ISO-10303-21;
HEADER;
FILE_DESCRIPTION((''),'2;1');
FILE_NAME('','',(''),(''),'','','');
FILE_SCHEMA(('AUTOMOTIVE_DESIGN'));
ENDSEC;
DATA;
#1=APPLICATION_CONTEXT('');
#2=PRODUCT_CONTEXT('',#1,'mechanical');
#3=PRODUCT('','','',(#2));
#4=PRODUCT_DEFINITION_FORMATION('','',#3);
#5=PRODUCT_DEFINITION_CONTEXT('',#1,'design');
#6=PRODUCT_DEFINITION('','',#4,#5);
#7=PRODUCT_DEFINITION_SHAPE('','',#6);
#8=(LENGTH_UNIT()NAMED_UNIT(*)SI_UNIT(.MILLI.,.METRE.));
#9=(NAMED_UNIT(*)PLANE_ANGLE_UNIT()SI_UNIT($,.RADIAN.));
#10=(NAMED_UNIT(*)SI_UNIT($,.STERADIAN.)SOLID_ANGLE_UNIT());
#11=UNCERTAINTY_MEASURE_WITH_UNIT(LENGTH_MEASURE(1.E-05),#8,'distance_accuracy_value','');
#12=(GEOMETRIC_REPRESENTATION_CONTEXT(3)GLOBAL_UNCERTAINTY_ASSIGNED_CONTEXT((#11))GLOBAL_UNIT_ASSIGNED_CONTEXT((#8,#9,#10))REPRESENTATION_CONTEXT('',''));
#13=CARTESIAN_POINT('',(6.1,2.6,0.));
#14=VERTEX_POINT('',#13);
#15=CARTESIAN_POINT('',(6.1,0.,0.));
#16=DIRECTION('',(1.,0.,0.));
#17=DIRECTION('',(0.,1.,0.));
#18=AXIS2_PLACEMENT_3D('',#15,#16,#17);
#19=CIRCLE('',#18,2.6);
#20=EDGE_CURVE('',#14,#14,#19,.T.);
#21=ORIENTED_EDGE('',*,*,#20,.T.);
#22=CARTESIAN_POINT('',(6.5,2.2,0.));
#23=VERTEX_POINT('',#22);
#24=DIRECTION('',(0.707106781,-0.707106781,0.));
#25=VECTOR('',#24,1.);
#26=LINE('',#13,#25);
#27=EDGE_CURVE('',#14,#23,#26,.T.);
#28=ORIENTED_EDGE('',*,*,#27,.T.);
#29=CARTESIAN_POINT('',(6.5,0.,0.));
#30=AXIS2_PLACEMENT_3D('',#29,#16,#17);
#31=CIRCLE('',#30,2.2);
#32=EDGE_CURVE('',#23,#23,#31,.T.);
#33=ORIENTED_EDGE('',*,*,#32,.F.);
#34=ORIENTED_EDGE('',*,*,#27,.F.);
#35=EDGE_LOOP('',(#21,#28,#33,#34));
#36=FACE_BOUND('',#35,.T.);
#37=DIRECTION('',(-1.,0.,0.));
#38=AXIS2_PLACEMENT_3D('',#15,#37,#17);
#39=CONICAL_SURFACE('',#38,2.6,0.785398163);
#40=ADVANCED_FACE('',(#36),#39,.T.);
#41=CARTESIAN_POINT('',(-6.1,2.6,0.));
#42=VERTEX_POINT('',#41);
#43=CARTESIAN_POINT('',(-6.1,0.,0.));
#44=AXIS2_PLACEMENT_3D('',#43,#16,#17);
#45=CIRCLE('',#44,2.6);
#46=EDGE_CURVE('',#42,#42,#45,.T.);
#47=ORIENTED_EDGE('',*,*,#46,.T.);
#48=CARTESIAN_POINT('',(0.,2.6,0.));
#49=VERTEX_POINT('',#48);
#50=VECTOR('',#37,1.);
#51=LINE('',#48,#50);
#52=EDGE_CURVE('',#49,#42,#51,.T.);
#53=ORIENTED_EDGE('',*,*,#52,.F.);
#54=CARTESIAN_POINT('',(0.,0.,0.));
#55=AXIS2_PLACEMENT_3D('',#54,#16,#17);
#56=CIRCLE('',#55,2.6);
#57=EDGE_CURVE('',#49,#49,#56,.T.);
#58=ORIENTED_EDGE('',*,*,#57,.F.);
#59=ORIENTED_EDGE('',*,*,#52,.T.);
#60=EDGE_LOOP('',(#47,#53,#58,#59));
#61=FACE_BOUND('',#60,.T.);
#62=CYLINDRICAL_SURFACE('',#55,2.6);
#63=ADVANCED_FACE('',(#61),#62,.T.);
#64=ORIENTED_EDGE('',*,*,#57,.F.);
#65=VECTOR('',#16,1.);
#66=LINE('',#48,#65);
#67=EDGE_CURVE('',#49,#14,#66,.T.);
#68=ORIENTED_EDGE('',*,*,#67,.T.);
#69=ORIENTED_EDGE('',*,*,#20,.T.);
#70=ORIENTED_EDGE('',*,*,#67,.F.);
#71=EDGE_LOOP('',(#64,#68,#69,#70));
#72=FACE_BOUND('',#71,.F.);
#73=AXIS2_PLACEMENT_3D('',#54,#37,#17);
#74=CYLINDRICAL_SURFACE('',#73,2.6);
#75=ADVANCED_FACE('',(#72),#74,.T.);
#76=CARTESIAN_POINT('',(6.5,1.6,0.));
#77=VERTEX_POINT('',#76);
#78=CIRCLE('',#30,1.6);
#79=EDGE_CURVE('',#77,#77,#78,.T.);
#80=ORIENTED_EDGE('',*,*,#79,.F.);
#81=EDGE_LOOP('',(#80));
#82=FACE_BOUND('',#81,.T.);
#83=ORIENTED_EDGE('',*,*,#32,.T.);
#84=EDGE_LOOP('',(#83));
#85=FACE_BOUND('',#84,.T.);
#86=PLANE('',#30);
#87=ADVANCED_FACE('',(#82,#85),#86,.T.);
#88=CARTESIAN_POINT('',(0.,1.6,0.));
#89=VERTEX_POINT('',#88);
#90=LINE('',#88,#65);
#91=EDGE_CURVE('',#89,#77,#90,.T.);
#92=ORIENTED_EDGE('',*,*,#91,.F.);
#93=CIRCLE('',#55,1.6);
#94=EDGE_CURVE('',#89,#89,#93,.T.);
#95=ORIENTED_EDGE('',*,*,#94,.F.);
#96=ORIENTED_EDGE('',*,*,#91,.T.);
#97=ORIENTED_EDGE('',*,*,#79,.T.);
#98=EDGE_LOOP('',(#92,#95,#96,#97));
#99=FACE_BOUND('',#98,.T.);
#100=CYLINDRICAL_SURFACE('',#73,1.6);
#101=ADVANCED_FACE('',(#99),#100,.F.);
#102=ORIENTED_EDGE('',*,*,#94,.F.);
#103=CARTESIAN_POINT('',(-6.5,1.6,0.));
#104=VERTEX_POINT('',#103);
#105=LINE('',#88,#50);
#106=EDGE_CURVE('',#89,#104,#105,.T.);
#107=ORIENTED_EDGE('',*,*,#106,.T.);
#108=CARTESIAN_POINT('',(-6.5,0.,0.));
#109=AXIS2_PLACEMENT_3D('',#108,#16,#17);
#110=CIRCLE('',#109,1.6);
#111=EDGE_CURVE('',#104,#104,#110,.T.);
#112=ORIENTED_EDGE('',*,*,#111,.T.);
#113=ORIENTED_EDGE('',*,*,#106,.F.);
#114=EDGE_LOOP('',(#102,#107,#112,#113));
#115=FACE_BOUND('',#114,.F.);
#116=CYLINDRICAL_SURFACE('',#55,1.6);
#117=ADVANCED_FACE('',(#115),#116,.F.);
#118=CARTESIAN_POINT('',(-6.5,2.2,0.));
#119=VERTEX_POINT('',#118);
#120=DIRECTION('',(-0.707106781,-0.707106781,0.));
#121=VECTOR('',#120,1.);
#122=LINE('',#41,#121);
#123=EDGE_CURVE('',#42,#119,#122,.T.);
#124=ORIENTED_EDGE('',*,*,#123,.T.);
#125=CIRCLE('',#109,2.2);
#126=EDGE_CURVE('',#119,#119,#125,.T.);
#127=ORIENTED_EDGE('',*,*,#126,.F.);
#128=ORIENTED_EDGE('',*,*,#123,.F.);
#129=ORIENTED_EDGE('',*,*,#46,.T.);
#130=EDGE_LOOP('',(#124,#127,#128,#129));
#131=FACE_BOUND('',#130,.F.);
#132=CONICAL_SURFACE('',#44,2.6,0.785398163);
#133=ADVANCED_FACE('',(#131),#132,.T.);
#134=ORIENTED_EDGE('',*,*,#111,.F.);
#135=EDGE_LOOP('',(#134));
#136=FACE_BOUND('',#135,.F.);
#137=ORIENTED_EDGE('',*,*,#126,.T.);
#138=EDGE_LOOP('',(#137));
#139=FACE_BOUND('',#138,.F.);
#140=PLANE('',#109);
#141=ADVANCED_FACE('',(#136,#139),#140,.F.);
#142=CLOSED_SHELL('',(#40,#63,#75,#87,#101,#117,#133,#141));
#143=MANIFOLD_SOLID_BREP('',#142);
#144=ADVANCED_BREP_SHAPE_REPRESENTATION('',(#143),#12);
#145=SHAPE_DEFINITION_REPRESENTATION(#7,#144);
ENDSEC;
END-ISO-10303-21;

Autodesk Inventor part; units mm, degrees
ref_plane "YZ Plane" through (0, 0, 0) normal (1, 0, 0) x (0, 1, 0)
ref_plane "XZ Plane" through (0, 0, 0) normal (0, 1, 0) x (-1, 0, 0)
ref_plane "XY Plane" through (0, 0, 0) normal (0, 0, 1) x (1, 0, 0)
sketch "スケッチ1" plane through (0, 0, 0) normal (1, 0, 0) x (0, 1, 0)
  circle A0 centre (0, 0) radius 2.6
  circle A1 centre (0, 0) radius 1.6
  dimension "d0" = 3.2
  dimension "d1" = 1
extrude "押し出し1" add sketch "スケッチ1" along normal mid plane 13
chamfer "面取り1" distance 0.4 angle 45 2 edges at (6.5, -2.6, 0) (-6.5, -2.6, 0)
properties part number "spacer_Φ3.2_1"
